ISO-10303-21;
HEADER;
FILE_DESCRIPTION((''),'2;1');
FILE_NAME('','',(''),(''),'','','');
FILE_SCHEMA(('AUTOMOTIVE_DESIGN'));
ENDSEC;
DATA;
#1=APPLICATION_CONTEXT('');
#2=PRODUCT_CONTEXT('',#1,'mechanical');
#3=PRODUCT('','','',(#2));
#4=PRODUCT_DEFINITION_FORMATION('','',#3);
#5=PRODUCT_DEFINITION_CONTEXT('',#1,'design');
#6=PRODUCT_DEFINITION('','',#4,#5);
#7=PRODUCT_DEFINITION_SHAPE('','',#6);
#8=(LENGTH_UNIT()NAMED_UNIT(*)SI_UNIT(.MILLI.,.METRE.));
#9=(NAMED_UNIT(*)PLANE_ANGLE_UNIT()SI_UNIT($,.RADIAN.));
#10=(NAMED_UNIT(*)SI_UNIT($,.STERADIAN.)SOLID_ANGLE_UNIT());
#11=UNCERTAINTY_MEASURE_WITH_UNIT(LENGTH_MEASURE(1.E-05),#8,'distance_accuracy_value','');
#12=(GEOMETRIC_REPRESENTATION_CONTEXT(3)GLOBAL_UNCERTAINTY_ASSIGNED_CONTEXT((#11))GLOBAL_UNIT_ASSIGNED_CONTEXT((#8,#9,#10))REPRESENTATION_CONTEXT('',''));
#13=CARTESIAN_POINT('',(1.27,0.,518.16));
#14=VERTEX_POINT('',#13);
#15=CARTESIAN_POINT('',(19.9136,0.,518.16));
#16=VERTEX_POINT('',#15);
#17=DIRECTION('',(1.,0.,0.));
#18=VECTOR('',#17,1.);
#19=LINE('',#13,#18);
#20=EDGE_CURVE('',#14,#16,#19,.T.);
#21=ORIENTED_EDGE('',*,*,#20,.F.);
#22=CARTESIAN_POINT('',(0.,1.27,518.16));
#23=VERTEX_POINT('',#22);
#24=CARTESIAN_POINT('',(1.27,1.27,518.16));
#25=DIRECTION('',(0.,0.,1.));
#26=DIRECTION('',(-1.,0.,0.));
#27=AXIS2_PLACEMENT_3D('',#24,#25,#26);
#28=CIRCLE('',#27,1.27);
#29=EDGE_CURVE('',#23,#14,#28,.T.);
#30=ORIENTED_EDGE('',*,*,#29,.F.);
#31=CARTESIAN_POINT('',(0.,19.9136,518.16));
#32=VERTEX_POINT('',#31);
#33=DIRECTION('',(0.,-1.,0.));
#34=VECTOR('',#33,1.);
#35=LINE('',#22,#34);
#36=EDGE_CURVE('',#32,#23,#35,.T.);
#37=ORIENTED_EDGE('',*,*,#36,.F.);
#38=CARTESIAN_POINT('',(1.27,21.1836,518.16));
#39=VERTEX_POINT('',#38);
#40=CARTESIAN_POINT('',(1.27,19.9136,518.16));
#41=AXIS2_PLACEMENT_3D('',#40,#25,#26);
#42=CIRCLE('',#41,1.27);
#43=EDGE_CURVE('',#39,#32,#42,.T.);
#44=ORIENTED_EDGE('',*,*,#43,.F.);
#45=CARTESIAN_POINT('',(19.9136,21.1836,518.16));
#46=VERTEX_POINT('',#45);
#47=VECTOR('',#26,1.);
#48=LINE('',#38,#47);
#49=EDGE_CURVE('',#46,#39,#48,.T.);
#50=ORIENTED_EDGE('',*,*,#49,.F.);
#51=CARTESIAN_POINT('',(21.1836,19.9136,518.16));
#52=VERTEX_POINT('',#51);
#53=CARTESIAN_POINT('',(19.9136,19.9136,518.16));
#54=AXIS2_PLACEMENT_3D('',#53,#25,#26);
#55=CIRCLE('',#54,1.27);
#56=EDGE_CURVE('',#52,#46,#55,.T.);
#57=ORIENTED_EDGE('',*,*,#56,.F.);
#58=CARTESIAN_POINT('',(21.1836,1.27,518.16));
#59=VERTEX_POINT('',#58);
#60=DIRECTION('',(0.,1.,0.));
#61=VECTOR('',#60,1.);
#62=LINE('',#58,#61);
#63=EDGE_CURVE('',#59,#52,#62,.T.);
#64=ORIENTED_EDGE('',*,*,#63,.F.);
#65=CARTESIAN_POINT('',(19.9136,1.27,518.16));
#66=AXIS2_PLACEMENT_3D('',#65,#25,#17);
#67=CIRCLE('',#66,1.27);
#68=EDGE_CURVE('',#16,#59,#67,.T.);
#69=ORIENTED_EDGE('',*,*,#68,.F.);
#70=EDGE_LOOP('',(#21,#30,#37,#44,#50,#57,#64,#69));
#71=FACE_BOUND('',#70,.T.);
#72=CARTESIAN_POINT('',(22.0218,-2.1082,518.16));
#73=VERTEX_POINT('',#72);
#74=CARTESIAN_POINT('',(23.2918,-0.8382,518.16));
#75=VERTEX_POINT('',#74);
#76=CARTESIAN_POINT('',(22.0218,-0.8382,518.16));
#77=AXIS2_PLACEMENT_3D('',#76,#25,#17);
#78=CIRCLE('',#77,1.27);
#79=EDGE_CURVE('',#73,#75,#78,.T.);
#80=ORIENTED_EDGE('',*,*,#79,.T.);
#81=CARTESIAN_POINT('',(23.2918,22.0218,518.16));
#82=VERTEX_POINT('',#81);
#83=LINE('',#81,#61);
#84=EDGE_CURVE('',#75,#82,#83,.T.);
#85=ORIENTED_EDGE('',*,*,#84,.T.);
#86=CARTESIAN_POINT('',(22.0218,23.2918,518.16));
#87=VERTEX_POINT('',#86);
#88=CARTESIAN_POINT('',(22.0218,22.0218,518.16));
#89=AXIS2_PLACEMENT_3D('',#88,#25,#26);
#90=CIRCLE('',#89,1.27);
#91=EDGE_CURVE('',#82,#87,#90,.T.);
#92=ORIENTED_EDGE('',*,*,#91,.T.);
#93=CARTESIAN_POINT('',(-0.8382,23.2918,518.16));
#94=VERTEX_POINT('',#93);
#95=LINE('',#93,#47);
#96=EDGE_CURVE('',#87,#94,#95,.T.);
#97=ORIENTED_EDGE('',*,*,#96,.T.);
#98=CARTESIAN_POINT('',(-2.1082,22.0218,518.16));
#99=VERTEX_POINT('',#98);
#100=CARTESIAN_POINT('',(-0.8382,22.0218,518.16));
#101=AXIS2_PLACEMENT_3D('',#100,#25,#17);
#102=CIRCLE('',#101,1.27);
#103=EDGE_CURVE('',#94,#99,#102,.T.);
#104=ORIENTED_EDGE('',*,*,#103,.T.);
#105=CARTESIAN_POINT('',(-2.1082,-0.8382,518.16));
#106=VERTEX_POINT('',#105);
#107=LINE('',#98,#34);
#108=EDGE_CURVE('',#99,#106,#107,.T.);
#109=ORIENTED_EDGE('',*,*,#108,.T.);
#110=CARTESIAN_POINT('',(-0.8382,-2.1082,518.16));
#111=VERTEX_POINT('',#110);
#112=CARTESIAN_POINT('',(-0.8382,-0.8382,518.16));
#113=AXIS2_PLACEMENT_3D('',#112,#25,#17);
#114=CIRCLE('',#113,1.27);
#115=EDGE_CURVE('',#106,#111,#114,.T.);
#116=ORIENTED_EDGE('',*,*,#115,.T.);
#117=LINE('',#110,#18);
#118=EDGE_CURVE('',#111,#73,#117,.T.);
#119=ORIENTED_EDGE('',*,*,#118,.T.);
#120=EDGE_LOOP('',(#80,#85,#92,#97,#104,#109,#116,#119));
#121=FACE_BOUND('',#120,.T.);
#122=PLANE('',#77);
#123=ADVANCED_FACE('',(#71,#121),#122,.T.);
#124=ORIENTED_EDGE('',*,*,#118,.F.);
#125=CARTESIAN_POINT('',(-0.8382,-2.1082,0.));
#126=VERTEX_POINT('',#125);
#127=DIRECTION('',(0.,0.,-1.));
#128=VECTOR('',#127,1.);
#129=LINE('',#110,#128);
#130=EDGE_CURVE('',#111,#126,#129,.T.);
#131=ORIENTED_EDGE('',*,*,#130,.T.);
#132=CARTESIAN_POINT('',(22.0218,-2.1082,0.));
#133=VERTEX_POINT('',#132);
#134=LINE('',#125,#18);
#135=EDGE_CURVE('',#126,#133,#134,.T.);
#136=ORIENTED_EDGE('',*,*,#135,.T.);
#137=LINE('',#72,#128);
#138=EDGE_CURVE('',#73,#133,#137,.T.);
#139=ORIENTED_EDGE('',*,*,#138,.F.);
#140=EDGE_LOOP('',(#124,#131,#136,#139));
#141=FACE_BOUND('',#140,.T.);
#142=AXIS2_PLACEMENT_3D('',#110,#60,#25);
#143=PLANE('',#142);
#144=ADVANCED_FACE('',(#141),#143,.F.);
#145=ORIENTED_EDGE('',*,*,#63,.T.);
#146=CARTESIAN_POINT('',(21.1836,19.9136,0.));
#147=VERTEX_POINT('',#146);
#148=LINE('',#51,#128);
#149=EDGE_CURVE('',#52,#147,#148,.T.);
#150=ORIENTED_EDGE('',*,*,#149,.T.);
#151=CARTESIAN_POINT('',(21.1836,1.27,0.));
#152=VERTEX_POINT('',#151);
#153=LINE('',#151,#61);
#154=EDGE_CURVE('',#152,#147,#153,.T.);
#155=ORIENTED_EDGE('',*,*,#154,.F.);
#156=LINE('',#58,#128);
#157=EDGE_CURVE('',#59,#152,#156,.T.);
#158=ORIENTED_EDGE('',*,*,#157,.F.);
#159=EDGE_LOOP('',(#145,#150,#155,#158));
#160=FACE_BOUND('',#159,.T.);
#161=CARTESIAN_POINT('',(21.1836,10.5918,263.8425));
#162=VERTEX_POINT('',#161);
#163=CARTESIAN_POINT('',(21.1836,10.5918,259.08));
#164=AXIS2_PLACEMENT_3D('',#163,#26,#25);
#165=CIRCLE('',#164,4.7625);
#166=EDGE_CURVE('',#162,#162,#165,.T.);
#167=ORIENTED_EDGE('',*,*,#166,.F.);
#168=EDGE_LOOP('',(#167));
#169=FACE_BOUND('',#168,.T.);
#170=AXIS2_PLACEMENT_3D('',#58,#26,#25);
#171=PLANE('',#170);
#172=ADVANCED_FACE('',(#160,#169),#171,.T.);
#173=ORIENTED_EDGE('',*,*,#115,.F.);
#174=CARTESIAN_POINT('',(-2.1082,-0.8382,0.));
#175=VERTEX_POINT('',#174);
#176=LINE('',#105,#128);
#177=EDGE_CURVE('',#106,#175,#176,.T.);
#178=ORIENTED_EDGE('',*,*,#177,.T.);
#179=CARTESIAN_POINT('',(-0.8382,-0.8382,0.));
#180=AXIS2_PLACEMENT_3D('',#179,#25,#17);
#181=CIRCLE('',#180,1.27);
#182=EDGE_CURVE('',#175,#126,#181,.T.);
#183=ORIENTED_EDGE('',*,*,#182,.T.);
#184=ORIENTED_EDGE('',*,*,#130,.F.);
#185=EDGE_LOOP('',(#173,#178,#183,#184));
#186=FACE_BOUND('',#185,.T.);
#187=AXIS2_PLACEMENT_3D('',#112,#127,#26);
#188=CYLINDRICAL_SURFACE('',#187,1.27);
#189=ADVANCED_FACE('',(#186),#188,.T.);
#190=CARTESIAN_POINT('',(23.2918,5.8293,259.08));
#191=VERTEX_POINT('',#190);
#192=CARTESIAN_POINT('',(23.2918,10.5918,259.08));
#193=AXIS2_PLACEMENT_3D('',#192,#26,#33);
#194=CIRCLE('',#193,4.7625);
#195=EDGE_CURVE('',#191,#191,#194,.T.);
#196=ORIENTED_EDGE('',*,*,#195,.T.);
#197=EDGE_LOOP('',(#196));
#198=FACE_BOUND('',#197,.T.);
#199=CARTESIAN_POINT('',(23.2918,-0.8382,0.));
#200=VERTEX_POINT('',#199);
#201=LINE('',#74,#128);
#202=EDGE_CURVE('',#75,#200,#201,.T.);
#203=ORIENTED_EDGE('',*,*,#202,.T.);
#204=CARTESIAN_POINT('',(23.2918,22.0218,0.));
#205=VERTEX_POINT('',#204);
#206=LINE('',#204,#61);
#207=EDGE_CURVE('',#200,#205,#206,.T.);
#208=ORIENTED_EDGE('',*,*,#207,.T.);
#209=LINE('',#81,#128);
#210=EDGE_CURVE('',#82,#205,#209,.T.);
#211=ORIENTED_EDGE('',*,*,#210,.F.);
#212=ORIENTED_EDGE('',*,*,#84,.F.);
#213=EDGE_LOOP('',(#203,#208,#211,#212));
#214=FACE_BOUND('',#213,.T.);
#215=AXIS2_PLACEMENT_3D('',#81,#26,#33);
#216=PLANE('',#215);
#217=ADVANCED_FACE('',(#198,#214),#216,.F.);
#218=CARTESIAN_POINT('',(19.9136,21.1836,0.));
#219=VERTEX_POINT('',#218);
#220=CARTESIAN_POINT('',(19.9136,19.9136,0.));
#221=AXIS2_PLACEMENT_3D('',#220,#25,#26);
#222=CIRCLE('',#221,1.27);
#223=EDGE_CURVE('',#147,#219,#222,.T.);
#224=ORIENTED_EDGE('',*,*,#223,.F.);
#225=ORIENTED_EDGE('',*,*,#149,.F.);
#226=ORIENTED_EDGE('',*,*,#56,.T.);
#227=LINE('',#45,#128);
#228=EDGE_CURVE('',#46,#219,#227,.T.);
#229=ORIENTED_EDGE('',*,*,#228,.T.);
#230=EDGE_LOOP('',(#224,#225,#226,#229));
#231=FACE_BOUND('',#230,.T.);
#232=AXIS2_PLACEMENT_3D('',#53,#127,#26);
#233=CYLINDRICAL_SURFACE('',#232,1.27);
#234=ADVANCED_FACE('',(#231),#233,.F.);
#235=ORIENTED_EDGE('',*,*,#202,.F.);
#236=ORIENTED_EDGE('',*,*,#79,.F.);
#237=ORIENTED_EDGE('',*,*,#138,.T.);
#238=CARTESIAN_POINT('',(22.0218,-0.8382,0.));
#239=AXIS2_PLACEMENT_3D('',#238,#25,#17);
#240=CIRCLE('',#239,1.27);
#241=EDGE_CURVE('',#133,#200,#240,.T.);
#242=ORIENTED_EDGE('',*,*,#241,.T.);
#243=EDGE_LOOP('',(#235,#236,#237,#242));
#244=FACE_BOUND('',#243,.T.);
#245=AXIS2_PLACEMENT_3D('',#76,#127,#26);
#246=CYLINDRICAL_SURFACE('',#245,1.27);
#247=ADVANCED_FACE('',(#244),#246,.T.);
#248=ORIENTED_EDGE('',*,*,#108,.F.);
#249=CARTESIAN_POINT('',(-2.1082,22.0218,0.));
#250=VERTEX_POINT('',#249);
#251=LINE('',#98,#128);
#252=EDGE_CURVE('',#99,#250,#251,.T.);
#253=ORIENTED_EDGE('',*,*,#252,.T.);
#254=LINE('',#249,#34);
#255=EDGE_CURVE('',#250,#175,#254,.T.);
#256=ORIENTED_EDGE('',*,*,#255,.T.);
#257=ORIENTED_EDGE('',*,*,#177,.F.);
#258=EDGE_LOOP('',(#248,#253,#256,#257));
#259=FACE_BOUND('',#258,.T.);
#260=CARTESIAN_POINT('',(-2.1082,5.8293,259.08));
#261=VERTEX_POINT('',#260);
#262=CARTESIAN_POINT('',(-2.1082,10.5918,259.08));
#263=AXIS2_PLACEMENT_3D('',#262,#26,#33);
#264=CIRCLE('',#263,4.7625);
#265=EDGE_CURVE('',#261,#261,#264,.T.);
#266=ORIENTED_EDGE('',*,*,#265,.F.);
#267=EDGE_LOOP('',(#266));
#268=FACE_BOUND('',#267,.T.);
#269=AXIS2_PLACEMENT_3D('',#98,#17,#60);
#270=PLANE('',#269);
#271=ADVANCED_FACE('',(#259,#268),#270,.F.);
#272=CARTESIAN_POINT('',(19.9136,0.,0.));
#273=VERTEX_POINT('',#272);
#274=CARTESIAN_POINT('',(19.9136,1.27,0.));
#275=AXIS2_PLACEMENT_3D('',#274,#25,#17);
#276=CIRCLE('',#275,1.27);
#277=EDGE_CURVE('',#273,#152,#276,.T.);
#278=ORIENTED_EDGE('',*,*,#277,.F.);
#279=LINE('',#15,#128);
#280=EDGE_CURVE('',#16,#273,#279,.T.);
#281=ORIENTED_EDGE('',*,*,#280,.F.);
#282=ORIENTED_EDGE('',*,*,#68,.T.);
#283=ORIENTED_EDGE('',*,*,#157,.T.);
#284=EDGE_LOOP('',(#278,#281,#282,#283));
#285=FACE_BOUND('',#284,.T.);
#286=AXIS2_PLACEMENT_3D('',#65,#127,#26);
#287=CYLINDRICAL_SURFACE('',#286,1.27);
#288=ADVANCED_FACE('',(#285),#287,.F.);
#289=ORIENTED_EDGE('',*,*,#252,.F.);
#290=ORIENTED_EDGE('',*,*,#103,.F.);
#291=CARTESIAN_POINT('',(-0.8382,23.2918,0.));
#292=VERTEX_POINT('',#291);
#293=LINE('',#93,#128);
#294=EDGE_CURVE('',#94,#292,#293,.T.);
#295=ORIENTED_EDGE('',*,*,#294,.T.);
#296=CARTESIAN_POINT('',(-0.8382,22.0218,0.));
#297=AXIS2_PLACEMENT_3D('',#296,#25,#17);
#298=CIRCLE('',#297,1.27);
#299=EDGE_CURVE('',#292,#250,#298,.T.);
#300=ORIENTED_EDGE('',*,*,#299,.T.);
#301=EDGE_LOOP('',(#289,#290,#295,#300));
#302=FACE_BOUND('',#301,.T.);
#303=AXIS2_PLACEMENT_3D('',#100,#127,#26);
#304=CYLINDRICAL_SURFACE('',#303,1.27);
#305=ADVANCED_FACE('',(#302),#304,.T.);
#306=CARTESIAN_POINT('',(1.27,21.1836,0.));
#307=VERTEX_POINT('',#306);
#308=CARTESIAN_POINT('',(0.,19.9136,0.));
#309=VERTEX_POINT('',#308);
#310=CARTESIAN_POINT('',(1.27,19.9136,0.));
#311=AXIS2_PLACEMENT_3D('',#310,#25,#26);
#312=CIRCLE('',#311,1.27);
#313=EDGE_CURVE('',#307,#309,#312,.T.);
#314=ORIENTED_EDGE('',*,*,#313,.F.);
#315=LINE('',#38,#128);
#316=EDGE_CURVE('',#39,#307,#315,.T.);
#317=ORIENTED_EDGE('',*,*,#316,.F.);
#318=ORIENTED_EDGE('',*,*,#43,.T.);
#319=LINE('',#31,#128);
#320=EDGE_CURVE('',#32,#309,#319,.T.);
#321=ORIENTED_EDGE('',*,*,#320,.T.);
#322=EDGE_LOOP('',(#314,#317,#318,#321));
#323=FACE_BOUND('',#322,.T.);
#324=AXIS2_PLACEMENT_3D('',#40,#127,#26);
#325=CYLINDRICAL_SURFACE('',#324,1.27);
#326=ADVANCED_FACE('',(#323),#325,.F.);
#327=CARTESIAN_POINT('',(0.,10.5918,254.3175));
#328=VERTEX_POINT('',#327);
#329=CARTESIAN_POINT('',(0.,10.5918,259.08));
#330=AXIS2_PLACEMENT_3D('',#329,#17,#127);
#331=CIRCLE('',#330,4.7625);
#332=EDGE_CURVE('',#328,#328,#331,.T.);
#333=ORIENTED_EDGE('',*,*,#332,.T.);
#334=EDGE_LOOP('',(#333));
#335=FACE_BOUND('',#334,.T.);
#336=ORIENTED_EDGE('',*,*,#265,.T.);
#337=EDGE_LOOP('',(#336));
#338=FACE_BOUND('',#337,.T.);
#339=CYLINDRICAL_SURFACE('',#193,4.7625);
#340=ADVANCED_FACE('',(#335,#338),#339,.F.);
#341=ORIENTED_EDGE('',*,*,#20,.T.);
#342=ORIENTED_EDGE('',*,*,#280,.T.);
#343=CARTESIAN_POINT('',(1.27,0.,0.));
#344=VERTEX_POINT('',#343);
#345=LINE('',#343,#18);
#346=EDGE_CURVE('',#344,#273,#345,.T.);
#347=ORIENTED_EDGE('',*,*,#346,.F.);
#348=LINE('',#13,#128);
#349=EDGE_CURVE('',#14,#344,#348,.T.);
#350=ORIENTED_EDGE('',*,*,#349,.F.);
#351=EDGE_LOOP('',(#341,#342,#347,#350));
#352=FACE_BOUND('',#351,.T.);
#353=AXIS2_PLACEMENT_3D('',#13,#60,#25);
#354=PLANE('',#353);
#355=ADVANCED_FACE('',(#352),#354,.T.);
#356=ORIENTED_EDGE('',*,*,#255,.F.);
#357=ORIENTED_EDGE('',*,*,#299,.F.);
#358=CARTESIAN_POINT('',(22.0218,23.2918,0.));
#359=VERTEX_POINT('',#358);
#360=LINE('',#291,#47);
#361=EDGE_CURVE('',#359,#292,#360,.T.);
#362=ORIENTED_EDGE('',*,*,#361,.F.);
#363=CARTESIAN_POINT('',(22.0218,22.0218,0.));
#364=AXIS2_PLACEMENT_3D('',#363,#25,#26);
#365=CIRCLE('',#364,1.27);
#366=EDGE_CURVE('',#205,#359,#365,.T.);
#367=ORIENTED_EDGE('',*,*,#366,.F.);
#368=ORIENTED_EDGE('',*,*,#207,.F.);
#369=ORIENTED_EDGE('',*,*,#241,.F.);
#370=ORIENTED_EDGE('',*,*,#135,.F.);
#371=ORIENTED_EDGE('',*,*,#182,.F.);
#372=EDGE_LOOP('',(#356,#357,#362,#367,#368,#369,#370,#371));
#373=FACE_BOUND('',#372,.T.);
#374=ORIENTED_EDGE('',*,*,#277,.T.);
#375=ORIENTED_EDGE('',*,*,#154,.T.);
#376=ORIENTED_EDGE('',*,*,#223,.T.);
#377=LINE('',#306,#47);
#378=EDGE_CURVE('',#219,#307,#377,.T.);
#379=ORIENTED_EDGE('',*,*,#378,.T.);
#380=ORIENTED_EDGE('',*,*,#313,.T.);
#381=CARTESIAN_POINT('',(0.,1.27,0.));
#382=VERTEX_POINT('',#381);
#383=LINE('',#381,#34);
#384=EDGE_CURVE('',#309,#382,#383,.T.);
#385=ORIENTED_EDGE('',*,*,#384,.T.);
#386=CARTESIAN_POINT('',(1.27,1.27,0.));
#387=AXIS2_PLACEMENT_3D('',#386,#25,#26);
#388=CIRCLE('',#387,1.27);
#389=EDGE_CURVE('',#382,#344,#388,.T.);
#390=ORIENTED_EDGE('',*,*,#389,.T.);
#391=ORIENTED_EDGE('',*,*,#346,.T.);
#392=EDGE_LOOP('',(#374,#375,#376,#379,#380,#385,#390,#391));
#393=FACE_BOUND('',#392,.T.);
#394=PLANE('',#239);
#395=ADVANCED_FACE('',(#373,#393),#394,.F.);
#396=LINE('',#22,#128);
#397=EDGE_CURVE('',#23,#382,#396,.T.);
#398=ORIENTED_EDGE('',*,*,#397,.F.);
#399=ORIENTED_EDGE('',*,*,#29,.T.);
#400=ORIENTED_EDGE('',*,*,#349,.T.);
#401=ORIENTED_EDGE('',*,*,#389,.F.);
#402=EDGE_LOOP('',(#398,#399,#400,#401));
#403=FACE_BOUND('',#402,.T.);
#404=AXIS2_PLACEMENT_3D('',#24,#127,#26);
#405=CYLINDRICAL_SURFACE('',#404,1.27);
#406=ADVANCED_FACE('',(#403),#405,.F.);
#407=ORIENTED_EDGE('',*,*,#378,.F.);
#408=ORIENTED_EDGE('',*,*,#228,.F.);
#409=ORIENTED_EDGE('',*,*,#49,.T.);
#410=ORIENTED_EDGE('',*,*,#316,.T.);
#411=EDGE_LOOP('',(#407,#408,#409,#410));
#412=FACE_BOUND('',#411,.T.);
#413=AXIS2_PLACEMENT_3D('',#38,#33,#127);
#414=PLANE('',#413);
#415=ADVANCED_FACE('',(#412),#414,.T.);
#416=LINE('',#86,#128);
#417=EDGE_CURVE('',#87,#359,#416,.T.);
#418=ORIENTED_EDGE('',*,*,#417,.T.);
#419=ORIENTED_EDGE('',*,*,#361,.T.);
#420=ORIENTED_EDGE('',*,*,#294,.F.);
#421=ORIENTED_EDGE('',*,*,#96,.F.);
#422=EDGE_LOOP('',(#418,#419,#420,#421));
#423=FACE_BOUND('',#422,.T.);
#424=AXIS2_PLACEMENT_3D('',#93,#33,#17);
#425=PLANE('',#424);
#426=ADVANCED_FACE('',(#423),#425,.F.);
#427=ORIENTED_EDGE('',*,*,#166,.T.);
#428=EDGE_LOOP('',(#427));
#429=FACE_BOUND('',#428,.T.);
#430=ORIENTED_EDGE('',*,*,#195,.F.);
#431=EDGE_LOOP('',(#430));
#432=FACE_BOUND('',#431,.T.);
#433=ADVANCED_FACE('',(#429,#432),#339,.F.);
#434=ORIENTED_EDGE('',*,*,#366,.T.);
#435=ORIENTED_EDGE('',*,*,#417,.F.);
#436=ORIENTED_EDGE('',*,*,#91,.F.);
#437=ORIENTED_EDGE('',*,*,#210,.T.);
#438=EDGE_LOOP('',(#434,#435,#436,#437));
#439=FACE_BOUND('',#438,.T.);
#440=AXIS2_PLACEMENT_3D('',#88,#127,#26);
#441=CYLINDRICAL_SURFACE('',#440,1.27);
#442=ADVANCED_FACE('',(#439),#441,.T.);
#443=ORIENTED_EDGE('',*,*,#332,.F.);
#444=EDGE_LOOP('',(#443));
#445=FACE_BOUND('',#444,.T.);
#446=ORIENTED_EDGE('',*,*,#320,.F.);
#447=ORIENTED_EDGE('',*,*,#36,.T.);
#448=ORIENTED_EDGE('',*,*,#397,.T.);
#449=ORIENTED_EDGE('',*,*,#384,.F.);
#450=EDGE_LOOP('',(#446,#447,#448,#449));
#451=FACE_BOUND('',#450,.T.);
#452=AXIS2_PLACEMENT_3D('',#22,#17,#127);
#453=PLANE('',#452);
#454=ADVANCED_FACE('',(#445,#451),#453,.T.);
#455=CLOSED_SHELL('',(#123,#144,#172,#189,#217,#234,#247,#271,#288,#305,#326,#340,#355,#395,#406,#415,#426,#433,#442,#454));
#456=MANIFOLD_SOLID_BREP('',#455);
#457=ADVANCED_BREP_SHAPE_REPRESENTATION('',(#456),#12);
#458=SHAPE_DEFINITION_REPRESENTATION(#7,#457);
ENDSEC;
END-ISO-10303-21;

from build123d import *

# Parameters (mm, degrees)
BOSS_EXTRUDE1_DEPTH = 518.16
SKETCH2_R           = 4.7625
CUT_EXTRUDE1_DEPTH  = 520.304779053


with BuildPart() as part:
    # Sketch1 → Boss-Extrude1 (new body)
    with BuildSketch(Plane.XY):
        with BuildLine():
            Line((-0.8382, 23.2918), (22.0218, 23.2918))
            ThreePointArc((22.0218, 23.2918), (22.919825612, 22.919825612), (23.2918, 22.0218))
            Line((23.2918, 22.0218), (23.2918, -0.8382))
            ThreePointArc((23.2918, -0.8382), (22.919825612, -1.736225612), (22.0218, -2.1082))
            Line((22.0218, -2.1082), (-0.8382, -2.1082))
            ThreePointArc((-0.8382, -2.1082), (-1.736225612, -1.736225612), (-2.1082, -0.8382))
            Line((-2.1082, -0.8382), (-2.1082, 22.0218))
            ThreePointArc((-2.1082, 22.0218), (-1.736225612, 22.919825612), (-0.8382, 23.2918))
        make_face()
        with BuildLine():
            Line((1.27, 0), (19.9136, 0))
            ThreePointArc((19.9136, 0), (20.811625612, 0.371974388), (21.1836, 1.27))
            Line((21.1836, 1.27), (21.1836, 19.9136))
            ThreePointArc((21.1836, 19.9136), (20.811625612, 20.811625612), (19.9136, 21.1836))
            Line((19.9136, 21.1836), (1.27, 21.1836))
            ThreePointArc((1.27, 21.1836), (0.371974388, 20.811625612), (0, 19.9136))
            Line((0, 19.9136), (0, 1.27))
            ThreePointArc((0, 1.27), (0.371974388, 0.371974388), (1.27, 0))
        make_face(mode=Mode.SUBTRACT)
    extrude(amount=BOSS_EXTRUDE1_DEPTH)

    # Sketch2 → Cut-Extrude1 (cut, through all)
    with BuildSketch(Plane.ZY.offset(2.1082)):
        with Locations(Location((259.08, 10.5918, 0), (0, 0, 270))):
            Circle(SKETCH2_R)
    extrude(amount=-CUT_EXTRUDE1_DEPTH, mode=Mode.SUBTRACT)


solid = part.part
